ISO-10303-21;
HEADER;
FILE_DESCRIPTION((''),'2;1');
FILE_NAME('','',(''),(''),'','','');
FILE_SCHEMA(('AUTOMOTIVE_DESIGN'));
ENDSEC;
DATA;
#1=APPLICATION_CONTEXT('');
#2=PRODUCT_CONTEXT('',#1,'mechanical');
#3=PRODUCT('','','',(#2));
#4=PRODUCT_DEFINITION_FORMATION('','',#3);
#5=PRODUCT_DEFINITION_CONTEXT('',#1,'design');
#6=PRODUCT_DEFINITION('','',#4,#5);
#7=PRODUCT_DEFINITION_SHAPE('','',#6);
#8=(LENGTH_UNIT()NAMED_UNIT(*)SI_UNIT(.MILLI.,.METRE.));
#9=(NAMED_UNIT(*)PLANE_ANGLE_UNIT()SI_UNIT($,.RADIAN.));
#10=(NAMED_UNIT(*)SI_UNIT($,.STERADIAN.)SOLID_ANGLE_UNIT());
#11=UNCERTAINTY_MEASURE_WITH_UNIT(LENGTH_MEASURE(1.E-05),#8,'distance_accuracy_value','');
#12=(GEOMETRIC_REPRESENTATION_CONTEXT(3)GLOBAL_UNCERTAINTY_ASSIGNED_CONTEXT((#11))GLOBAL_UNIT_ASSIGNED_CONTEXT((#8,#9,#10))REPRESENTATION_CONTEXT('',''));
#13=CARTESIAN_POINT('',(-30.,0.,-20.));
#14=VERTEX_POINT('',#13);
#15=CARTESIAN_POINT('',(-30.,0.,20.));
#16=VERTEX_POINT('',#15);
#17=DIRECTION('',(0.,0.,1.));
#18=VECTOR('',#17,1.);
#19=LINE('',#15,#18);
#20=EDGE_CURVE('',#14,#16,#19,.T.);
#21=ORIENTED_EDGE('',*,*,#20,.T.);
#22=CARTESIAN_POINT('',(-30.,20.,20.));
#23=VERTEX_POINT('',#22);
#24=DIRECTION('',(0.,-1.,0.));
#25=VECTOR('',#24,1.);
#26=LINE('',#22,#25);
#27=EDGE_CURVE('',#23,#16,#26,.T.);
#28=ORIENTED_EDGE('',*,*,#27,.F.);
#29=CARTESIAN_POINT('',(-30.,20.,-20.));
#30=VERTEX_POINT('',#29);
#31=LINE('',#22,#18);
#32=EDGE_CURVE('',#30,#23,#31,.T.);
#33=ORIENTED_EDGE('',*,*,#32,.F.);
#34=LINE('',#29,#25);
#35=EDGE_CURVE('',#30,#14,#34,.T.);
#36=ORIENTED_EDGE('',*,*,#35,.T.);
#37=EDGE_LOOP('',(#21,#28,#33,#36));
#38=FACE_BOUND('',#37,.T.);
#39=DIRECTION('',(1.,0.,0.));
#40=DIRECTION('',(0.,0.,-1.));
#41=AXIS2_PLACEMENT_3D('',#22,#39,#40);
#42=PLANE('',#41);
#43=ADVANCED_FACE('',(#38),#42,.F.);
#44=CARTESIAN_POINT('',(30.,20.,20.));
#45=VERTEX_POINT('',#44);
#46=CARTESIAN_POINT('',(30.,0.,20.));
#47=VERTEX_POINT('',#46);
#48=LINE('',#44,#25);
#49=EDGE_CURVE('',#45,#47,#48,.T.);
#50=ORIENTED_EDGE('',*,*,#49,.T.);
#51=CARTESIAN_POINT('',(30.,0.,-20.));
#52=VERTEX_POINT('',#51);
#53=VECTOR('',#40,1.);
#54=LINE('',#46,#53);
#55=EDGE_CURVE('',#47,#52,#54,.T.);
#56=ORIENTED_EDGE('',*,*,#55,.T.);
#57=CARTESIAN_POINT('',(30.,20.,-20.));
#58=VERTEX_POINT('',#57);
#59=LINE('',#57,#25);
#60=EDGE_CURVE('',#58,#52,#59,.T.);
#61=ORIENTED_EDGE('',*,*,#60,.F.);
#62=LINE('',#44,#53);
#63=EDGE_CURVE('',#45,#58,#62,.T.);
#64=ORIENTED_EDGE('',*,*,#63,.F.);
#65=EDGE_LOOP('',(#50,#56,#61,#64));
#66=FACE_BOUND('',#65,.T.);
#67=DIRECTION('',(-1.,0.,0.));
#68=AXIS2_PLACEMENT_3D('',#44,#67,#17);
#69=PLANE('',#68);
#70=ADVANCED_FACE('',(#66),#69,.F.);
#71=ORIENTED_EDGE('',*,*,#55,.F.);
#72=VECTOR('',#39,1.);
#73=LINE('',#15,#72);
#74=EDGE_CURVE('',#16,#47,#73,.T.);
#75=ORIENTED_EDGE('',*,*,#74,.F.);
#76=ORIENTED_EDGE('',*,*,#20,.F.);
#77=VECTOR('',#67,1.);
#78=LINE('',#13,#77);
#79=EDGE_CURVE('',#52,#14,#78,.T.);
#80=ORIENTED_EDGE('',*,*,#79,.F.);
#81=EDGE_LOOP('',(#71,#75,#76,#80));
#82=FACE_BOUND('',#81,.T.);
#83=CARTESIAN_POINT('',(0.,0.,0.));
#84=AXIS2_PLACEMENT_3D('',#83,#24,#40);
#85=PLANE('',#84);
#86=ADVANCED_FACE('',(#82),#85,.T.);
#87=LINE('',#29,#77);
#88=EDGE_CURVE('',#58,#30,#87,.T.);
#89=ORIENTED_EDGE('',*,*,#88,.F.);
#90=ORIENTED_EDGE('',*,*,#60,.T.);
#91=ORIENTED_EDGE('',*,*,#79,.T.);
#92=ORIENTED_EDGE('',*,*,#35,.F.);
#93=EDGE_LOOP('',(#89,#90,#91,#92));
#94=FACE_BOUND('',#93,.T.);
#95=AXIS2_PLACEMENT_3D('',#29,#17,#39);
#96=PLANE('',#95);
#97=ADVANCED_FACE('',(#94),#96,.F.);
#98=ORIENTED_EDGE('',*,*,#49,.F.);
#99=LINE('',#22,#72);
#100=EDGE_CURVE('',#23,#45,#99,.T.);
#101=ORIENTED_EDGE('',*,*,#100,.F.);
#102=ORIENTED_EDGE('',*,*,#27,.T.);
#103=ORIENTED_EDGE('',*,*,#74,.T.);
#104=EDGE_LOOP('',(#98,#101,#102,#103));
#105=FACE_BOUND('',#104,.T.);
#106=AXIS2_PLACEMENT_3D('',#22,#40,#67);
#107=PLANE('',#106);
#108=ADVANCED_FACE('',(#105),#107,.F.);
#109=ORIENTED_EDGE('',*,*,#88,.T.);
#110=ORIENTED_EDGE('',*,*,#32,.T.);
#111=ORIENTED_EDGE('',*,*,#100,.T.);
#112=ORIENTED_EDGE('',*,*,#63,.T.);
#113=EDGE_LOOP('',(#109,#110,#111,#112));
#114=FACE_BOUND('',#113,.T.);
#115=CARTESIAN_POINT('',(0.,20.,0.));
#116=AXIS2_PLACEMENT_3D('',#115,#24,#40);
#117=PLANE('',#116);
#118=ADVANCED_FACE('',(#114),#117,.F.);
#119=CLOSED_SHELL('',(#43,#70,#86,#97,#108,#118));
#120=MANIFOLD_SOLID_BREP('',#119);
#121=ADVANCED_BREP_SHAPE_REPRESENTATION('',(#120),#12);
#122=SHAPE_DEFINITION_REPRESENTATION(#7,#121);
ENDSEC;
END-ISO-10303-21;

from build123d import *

# Parameters (mm, degrees)
SKETCH_1_W      = 60
SKETCH_1_H      = 40
EXTRUDE_1_DEPTH = 20


with BuildPart() as part:
    # Эскиз1 → Бобышка-Вытянуть1 (new body)
    with BuildSketch(Plane(origin=(0, 0, 0), x_dir=(1, 0, 0), z_dir=(0, 1, 0))):
        Rectangle(SKETCH_1_W, SKETCH_1_H)
    extrude(amount=EXTRUDE_1_DEPTH)


solid = part.part
